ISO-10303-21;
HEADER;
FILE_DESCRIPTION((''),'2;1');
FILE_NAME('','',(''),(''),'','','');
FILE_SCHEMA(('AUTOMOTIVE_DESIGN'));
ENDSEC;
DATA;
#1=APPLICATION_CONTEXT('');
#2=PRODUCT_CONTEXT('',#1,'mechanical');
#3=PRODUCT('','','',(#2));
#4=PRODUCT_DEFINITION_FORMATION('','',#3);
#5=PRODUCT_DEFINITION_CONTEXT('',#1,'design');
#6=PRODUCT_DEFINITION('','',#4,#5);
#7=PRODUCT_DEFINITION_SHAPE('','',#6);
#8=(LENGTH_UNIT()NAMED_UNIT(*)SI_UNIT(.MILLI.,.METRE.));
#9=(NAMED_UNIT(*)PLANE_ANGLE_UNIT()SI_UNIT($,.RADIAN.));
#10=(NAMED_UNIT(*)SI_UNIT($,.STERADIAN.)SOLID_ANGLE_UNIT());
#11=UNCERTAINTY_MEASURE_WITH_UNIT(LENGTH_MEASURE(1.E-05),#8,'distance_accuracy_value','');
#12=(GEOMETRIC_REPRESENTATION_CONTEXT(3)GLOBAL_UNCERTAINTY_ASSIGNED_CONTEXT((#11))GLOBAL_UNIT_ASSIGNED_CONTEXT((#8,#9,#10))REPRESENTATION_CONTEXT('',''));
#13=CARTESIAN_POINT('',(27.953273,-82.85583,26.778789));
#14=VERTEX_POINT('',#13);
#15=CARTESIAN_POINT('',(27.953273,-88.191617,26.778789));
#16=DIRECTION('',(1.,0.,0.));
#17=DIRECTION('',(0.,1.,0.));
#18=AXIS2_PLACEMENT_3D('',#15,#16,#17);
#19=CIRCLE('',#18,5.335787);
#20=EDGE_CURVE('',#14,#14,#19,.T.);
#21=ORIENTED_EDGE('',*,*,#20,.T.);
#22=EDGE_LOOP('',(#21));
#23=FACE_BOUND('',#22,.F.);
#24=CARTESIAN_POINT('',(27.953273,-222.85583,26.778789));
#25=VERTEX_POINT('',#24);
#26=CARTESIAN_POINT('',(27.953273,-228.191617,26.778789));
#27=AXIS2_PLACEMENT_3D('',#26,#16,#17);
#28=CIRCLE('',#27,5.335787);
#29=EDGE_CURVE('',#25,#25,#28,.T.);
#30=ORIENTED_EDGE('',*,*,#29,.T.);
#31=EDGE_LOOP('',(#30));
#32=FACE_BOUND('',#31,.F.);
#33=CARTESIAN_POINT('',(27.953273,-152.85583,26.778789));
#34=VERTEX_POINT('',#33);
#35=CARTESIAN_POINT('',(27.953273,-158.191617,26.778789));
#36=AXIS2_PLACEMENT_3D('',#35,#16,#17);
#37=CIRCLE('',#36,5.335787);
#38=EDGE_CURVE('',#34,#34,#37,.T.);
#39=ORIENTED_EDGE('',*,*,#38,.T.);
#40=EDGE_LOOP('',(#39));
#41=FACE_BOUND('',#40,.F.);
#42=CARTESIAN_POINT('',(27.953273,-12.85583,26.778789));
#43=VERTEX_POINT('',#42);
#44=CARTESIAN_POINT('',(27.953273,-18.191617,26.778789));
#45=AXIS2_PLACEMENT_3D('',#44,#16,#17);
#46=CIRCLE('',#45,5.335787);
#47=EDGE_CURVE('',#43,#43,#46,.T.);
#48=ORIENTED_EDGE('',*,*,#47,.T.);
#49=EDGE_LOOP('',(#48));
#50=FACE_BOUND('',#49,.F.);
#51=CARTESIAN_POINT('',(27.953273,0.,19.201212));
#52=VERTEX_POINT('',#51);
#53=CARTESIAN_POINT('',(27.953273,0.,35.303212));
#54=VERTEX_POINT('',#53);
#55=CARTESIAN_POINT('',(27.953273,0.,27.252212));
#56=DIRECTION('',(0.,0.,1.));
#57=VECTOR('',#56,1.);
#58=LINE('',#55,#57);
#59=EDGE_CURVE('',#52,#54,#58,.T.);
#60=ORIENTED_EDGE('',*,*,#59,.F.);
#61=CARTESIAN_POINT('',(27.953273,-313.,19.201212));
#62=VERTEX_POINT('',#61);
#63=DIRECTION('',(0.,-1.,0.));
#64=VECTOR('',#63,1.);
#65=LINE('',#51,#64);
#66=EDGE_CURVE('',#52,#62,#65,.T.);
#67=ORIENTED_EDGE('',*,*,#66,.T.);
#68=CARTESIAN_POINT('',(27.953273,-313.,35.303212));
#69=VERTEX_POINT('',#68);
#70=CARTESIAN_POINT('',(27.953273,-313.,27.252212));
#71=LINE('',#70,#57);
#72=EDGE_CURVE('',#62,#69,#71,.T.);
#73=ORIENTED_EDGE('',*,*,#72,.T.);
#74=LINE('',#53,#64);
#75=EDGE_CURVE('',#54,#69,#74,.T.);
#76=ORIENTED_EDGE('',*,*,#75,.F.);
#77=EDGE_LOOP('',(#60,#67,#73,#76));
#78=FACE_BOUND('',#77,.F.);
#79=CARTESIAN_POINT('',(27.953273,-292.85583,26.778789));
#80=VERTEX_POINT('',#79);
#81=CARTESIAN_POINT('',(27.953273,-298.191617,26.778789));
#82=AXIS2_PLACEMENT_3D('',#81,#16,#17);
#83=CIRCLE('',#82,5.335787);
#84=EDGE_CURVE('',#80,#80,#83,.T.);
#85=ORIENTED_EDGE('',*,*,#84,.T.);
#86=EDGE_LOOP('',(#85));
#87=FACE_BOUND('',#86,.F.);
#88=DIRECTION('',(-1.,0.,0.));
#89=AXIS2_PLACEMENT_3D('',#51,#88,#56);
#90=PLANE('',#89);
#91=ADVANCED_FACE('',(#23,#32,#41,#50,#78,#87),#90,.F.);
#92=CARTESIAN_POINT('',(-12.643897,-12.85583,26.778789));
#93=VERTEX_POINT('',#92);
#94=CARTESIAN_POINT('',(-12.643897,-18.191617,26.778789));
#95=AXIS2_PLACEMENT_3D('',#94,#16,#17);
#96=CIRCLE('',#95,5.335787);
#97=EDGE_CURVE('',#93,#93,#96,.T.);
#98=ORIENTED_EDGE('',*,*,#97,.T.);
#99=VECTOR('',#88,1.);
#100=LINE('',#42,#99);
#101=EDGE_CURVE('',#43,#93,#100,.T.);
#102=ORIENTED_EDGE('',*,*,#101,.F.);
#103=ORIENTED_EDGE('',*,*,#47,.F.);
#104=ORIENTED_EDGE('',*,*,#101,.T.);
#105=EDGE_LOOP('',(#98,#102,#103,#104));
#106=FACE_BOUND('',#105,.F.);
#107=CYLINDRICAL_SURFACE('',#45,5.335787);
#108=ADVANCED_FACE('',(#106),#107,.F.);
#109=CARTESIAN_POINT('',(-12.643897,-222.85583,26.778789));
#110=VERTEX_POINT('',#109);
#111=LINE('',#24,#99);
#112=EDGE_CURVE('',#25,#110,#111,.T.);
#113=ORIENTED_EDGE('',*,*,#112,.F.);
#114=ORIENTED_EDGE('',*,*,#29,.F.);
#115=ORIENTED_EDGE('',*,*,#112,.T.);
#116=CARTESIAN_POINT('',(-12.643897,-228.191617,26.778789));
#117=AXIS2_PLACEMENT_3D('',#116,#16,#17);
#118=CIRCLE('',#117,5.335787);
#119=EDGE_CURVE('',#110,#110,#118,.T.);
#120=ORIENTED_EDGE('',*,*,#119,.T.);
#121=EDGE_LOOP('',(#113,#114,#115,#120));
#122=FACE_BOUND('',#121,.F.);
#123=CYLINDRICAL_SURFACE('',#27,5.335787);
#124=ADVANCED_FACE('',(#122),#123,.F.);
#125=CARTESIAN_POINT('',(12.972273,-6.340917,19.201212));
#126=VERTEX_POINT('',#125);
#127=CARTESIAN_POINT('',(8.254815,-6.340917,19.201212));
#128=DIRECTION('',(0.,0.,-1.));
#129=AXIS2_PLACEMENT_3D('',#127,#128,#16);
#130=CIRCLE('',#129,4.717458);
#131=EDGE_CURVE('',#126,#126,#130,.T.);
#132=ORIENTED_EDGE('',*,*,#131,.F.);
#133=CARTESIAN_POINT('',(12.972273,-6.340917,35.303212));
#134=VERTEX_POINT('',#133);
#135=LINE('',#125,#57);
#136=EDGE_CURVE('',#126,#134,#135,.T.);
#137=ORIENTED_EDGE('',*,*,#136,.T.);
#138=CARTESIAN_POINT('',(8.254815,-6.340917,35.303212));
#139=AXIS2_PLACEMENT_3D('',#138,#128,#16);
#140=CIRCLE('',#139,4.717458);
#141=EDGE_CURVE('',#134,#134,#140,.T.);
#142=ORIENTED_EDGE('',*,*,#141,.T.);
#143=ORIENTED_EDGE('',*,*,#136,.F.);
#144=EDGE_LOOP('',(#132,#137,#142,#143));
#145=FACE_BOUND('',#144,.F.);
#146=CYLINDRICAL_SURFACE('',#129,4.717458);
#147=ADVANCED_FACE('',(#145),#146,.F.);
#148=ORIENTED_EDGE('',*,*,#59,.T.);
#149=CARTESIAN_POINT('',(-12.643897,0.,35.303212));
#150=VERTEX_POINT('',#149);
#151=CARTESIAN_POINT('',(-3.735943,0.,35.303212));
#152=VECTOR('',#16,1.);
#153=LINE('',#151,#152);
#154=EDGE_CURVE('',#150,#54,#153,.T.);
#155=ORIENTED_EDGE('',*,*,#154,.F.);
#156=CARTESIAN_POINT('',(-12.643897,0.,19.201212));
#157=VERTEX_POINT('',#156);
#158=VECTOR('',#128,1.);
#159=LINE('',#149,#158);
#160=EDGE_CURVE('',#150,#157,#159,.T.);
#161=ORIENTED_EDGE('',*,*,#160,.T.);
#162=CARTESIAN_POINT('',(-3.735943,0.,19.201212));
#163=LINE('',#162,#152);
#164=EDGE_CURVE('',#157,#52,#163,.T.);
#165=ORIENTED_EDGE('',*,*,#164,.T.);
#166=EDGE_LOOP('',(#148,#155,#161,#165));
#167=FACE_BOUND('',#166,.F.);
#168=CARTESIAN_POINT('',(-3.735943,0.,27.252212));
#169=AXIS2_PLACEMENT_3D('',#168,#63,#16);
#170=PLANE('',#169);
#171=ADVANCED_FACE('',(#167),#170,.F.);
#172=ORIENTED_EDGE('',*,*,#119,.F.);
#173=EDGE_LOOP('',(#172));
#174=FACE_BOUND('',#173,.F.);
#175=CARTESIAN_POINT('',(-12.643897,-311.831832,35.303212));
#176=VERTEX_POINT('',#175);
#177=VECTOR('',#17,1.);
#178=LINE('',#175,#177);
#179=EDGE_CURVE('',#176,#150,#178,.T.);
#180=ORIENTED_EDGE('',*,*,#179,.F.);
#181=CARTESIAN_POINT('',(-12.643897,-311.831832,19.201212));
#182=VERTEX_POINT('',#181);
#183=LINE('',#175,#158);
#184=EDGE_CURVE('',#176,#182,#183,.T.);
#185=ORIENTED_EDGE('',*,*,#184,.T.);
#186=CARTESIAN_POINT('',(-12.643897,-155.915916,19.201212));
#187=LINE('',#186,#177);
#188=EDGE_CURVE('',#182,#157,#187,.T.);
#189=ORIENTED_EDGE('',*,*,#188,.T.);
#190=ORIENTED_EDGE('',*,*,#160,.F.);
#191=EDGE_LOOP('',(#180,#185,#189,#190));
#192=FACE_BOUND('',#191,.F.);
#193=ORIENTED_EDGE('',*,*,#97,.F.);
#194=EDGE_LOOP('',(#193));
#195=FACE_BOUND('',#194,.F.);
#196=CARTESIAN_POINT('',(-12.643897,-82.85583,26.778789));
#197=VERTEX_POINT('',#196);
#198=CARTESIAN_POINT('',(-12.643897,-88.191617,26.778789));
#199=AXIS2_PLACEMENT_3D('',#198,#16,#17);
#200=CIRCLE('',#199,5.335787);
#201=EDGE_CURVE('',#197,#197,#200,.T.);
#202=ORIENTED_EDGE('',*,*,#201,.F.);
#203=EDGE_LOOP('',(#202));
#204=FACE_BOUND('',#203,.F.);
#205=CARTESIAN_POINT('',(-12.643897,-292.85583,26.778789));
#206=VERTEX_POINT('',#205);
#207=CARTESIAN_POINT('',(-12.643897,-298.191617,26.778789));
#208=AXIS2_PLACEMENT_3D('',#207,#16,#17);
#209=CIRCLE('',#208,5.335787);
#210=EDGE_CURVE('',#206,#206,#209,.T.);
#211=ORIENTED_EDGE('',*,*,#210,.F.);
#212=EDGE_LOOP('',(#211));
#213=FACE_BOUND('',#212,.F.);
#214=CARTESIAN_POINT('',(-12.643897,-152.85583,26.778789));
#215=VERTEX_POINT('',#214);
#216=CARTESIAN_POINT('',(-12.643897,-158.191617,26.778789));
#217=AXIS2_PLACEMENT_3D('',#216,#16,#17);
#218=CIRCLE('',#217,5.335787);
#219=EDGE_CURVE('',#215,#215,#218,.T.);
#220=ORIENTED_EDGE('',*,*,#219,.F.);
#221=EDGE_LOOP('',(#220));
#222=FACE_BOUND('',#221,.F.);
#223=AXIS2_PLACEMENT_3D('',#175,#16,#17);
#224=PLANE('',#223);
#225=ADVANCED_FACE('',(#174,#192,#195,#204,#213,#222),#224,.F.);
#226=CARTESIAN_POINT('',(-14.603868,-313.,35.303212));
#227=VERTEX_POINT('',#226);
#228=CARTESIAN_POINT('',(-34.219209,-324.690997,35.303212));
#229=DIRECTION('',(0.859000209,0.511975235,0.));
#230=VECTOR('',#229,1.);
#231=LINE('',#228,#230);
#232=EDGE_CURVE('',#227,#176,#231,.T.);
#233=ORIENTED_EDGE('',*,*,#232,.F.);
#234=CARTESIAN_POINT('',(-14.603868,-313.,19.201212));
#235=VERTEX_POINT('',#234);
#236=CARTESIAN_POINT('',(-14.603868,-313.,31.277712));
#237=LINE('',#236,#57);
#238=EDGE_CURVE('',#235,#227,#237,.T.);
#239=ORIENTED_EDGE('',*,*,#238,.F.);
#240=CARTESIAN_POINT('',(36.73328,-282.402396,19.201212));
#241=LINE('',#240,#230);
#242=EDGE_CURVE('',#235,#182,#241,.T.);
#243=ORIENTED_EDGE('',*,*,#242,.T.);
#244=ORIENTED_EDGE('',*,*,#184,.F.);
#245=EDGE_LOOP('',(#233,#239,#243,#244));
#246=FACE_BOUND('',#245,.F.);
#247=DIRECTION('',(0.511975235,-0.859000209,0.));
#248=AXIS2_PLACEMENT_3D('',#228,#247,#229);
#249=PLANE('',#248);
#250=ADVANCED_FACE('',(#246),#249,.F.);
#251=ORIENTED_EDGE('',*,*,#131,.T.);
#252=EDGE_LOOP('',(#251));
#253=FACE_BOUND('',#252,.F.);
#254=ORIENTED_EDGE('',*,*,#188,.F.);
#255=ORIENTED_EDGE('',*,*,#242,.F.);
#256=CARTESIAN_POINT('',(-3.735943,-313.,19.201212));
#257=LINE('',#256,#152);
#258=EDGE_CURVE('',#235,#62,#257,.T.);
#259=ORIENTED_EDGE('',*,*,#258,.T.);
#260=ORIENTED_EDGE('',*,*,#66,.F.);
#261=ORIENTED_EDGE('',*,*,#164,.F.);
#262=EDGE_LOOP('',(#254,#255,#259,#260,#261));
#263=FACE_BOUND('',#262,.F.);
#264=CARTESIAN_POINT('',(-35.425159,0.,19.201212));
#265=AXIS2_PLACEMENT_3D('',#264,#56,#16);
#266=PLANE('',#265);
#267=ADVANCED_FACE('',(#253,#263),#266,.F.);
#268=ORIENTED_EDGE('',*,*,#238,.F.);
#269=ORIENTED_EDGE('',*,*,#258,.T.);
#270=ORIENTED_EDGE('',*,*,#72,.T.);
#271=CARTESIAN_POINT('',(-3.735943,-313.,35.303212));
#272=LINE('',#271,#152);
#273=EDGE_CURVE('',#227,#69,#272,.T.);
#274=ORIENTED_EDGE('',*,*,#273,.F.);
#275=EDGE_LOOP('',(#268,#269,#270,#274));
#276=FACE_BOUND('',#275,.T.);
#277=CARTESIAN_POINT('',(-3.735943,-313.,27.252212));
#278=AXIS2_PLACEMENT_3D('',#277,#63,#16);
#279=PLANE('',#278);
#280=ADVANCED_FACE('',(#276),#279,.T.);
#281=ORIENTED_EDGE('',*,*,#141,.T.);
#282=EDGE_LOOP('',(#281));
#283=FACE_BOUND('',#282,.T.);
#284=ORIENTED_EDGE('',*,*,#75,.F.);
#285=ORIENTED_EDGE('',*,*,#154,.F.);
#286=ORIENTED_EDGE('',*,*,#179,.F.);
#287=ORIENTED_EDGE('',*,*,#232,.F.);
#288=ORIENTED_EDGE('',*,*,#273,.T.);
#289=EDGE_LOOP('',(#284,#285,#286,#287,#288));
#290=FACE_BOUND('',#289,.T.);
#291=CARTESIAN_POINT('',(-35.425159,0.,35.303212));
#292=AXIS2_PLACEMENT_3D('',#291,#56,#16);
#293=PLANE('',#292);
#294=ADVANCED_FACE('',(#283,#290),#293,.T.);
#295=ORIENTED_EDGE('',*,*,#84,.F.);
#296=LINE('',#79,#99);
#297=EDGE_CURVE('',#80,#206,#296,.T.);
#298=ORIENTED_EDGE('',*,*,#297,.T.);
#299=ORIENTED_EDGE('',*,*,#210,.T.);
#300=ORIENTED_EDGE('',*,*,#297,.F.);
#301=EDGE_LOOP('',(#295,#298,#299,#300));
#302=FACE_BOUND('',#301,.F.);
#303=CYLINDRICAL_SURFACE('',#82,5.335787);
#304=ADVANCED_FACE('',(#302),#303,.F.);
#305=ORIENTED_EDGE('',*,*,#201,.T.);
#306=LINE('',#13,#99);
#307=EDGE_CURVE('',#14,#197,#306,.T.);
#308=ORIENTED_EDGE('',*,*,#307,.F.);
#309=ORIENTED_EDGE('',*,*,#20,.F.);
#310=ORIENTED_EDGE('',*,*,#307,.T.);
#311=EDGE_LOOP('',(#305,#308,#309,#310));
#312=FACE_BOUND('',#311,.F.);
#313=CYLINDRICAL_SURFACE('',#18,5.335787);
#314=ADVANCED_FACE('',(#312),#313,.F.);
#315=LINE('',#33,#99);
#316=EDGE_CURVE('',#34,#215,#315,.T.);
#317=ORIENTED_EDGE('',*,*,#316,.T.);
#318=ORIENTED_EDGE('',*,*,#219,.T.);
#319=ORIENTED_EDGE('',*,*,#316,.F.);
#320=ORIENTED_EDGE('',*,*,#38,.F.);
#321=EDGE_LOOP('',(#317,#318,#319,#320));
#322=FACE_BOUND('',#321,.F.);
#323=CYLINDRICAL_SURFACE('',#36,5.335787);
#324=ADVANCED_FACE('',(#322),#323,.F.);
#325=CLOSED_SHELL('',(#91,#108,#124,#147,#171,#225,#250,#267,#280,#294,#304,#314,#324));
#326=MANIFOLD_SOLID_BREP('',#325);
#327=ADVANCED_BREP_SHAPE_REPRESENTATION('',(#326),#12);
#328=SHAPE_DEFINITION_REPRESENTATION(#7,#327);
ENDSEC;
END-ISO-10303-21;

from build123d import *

# Parameters (mm, degrees)
F0_W     = 63.378432
F0_H     = 16.102
F1_DEPTH = 313
F2_R     = 5.335787
F3_DEPTH = 63.379432
F5_R     = 4.717458
F6_DEPTH = 25
F8_DEPTH = 25
F9_DEPTH = 25


with BuildPart() as f1:
    # F0 (on Front) → F1 (new body)
    with BuildSketch(Plane.XZ):
        with Locations((-3.735943, 27.252212)):
            Rectangle(F0_W, F0_H)
    extrude(amount=F1_DEPTH)

    # F2 (on face) → F3 (cut, through all)
    with BuildSketch(Plane.YZ.offset(27.953273)):
        with Locations((-18.191617, 26.778789)):
            Circle(F2_R)
        with Locations((-88.191617, 26.778789)):
            Circle(F2_R)
        with Locations((-158.191617, 26.778789)):
            Circle(F2_R)
        with Locations((-228.191617, 26.778789)):
            Circle(F2_R)
        with Locations((-298.191617, 26.778789)):
            Circle(F2_R)
    extrude(amount=-F3_DEPTH, mode=Mode.SUBTRACT)

    # F5 (on face) → F6 (cut)
    with BuildSketch(Plane(origin=(0, 0, 19.201212), x_dir=(1, 0, 0), z_dir=(0, 0, -1))):
        with Locations((8.254815, 6.340917)):
            Circle(F5_R)
    extrude(amount=-F6_DEPTH, mode=Mode.SUBTRACT)

    # F7 (on face) → F8 (cut)
    with BuildSketch(Plane.XY.offset(35.303212)):
        Polygon((-34.219209, -324.690997), (-12.643897, -311.831832), (-12.643897, 0), (-35.135265, 11.57862), (-57.62665, 0), (-81.669144, -321.138591), align=None)
    extrude(amount=-F8_DEPTH, mode=Mode.SUBTRACT)

    # F5 (on face) → F9 (cut)
    with BuildSketch(Plane(origin=(0, 0, 19.201212), x_dir=(1, 0, 0), z_dir=(0, 0, -1))):
        with Locations((8.254815, 6.340917)):
            Circle(F5_R)
    extrude(amount=-F9_DEPTH, mode=Mode.SUBTRACT)


solid = f1.part
